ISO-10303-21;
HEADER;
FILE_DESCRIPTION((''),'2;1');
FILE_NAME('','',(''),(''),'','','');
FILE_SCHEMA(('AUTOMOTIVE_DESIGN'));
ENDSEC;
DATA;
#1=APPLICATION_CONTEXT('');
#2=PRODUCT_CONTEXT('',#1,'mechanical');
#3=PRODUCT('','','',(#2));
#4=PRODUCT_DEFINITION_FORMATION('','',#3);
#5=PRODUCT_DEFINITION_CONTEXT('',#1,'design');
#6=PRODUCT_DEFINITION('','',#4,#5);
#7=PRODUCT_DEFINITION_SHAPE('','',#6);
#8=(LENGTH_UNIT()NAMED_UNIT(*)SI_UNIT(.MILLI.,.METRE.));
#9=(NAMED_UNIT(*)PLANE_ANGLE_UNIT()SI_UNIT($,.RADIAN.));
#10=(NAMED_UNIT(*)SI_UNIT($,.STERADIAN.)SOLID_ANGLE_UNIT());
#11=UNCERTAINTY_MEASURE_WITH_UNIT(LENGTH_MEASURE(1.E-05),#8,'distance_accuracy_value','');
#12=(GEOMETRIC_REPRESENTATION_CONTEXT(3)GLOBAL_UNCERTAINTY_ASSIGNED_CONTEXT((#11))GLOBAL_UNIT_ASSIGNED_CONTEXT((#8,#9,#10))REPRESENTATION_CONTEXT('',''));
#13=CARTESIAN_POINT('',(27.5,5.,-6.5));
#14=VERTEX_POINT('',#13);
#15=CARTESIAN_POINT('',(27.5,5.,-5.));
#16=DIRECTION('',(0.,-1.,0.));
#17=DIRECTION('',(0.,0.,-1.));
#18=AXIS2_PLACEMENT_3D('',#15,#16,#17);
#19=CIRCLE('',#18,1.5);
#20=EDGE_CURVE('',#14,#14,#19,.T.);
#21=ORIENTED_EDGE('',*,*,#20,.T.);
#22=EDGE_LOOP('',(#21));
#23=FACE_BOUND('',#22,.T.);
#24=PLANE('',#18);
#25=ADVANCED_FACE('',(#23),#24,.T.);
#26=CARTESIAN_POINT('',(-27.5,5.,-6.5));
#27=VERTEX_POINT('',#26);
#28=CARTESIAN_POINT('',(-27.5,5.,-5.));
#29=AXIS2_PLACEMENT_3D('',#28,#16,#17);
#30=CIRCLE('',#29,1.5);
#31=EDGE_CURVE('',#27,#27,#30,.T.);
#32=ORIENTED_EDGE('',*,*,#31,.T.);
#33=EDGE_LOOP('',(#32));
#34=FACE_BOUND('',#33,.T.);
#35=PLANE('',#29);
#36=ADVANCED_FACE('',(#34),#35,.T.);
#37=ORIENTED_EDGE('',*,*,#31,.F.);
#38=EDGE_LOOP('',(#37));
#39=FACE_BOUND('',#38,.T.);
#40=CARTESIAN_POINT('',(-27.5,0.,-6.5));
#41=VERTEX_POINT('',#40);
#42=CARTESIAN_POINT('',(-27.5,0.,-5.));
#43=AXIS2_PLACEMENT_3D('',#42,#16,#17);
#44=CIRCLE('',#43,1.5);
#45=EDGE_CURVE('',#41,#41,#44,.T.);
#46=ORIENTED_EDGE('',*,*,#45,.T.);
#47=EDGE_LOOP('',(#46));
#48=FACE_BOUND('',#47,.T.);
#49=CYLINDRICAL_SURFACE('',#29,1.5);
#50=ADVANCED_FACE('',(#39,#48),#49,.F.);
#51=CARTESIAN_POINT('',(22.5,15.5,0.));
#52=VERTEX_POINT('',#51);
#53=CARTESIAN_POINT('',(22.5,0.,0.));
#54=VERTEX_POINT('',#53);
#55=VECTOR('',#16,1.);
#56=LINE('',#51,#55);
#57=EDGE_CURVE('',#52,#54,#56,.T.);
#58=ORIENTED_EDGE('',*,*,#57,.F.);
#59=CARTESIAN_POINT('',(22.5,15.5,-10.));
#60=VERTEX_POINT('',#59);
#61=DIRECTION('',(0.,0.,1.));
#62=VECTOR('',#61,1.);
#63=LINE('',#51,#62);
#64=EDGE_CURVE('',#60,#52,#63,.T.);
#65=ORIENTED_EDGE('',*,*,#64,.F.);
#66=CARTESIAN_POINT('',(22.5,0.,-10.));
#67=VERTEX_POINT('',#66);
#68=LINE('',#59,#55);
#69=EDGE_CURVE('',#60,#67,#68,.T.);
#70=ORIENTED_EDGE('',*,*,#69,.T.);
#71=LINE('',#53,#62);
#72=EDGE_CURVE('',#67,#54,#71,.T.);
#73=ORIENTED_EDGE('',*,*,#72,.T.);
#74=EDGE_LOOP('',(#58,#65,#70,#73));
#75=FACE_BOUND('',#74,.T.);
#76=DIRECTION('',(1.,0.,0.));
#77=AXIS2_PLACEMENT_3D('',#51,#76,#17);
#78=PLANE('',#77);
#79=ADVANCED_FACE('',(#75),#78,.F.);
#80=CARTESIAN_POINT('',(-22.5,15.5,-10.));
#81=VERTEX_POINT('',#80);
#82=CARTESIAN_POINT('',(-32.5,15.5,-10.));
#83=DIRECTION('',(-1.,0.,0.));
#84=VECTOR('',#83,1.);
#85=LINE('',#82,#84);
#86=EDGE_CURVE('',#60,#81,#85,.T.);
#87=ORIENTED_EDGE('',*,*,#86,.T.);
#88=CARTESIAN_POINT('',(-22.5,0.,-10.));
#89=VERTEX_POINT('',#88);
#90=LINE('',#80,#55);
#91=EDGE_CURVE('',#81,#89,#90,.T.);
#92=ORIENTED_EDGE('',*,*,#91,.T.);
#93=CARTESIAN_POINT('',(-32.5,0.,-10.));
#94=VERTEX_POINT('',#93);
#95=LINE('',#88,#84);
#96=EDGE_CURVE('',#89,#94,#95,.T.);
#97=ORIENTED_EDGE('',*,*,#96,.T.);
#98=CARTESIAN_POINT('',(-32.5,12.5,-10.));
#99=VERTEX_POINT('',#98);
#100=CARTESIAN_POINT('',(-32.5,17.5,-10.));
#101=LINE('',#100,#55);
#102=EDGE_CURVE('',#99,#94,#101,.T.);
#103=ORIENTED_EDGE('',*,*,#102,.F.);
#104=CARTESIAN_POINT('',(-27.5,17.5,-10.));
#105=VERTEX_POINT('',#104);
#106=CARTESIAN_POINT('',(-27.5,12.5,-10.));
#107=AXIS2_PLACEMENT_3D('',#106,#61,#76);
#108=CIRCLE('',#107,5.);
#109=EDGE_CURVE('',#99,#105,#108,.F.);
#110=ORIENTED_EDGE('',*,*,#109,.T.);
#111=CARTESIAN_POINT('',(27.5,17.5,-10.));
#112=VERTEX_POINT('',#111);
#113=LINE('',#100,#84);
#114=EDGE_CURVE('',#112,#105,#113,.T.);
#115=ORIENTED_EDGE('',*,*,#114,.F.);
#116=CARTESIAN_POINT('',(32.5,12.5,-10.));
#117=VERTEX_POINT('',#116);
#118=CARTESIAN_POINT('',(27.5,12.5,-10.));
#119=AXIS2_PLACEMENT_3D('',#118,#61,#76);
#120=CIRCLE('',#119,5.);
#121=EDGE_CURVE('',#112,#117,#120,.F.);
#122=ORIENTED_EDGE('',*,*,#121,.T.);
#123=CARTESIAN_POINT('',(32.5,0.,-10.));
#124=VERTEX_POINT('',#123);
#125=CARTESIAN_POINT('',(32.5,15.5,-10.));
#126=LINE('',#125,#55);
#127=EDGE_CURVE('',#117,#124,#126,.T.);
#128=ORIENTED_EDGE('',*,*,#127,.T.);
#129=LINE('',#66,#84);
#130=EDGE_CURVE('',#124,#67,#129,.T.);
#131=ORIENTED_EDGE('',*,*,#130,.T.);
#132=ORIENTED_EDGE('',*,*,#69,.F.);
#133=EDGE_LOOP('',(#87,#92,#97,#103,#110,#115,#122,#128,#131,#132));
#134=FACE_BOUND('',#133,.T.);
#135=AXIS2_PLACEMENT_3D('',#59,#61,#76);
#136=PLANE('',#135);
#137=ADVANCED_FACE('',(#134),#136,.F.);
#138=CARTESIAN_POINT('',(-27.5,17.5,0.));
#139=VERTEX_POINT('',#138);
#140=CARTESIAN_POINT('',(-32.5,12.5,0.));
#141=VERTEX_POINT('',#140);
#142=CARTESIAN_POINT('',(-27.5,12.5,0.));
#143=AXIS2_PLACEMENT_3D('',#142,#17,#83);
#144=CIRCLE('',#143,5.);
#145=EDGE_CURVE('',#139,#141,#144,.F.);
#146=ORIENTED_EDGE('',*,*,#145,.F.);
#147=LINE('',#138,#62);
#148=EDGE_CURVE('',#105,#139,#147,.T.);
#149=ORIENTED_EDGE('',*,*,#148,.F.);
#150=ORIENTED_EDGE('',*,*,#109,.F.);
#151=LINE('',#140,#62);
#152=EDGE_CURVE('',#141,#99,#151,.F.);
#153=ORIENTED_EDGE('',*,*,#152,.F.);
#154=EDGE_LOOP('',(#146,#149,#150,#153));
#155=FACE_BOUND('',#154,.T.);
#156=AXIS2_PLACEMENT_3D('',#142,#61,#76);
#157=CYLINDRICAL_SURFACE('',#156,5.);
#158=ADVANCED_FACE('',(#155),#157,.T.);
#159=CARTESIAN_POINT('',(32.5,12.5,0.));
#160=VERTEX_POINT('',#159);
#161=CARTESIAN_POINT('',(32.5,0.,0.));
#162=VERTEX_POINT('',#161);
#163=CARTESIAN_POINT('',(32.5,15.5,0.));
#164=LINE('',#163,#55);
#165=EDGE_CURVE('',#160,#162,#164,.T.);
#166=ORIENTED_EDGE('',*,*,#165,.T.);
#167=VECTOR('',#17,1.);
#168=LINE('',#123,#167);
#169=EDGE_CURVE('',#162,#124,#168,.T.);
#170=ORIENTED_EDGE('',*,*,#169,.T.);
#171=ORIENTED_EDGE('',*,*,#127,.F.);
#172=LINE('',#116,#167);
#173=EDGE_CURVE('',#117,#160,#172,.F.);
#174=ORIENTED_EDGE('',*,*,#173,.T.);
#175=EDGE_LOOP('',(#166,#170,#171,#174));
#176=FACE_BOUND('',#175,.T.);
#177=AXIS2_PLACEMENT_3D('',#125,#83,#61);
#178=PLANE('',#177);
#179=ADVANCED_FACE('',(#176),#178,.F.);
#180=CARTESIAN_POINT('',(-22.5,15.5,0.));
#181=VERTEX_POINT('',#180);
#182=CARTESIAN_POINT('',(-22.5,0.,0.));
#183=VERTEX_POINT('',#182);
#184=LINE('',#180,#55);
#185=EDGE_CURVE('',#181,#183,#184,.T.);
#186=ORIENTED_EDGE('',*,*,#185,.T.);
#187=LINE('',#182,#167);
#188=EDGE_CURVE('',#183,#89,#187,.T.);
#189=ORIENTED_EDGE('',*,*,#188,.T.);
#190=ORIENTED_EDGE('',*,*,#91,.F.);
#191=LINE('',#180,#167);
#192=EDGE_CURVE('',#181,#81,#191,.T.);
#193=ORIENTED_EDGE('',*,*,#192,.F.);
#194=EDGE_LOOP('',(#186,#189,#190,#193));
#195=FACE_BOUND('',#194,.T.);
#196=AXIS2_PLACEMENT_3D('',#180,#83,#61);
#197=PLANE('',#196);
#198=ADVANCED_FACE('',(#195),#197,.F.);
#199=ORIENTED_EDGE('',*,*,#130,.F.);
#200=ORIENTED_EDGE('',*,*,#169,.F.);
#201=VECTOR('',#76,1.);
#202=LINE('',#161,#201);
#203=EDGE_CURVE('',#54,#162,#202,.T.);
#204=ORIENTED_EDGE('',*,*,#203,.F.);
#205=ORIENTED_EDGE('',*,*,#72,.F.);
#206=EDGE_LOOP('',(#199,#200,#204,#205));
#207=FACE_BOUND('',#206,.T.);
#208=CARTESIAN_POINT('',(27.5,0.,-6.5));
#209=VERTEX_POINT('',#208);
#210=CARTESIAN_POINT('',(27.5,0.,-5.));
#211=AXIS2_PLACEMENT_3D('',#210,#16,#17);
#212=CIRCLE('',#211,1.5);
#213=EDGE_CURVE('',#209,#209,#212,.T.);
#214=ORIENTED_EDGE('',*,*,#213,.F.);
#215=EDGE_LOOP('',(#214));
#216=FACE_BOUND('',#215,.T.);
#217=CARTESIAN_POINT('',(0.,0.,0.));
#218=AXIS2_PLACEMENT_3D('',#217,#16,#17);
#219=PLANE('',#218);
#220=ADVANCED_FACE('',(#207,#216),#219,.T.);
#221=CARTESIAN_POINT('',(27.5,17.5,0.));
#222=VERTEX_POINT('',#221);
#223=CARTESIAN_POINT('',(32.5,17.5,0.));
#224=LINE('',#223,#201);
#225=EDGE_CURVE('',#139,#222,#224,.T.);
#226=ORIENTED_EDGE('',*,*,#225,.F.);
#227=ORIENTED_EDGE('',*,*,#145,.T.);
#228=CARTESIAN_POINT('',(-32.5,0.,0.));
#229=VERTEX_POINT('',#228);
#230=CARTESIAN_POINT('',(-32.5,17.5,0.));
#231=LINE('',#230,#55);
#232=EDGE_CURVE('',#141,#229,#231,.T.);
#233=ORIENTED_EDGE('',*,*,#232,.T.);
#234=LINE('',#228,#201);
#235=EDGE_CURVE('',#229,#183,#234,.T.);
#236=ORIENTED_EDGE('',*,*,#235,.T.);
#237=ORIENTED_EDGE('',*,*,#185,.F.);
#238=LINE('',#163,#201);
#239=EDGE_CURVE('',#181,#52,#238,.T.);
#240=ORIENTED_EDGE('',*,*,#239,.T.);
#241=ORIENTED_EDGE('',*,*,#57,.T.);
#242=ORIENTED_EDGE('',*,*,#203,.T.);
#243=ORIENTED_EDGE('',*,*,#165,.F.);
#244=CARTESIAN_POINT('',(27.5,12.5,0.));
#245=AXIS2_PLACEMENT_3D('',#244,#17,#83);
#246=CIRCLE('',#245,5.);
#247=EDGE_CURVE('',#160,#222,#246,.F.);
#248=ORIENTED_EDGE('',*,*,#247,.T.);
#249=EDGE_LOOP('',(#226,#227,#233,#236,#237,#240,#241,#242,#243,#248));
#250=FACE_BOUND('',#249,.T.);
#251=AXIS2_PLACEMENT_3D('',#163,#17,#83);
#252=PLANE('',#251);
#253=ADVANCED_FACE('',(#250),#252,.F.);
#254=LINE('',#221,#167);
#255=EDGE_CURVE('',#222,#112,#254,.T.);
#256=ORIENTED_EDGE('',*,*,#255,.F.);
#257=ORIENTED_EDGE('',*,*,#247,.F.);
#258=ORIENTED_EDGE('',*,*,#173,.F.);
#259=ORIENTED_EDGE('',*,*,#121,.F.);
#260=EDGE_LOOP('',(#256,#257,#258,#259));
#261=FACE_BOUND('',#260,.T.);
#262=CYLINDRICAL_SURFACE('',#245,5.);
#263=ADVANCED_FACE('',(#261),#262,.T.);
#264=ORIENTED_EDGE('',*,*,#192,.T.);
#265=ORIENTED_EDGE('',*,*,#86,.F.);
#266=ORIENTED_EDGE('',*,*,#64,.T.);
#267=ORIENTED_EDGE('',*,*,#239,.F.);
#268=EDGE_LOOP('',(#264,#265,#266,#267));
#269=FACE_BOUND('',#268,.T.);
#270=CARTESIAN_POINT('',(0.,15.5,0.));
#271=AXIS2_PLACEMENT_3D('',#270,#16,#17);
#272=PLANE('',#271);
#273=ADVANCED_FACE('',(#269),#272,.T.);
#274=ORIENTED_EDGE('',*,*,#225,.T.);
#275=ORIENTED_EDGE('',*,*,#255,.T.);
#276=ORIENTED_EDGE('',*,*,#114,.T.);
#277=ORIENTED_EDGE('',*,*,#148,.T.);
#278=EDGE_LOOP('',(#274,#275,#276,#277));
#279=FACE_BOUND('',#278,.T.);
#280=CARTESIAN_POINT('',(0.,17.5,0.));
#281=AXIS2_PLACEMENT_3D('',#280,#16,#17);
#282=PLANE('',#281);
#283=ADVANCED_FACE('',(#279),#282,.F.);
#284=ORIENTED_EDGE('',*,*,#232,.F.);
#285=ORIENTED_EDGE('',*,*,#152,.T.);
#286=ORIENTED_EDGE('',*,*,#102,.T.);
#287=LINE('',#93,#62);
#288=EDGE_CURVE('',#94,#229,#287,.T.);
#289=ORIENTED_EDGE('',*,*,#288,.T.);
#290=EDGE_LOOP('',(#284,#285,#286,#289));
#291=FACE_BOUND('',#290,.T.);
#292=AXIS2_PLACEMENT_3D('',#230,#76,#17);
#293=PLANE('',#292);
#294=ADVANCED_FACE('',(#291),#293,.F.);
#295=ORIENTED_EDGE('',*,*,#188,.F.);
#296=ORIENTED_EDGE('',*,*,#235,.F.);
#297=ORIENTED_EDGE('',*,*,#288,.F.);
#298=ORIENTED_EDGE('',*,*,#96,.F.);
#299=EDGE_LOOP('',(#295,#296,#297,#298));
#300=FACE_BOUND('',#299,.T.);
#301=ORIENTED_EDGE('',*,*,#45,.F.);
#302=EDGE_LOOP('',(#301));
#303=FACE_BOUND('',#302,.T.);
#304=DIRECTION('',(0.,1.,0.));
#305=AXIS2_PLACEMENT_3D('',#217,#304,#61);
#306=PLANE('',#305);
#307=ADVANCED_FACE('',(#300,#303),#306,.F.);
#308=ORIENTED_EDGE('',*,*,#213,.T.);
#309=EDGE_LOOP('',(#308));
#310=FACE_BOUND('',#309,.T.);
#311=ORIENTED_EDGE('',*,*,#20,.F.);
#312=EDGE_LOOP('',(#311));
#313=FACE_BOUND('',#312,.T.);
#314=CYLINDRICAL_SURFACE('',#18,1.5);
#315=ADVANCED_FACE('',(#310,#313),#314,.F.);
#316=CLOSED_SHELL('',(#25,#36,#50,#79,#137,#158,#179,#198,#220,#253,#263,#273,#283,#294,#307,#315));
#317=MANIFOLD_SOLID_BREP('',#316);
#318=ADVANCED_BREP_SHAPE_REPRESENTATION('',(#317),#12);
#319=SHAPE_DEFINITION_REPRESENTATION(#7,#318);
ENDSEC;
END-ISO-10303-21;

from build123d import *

# Parameters (mm, degrees)
CROQUIS1_W                = 10
CROQUIS1_H                = 10
SALIENTE_EXTRUIR1_DEPTH   = 15.5
SALIENTE_EXTRUIR1_2_DEPTH = 15.5
CROQUIS5_W                = 65
CROQUIS5_H                = 10
SALIENTE_EXTRUIR4_DEPTH   = 2
CROQUIS6_R                = 1.5
CORTAR_EXTRUIR2_DEPTH     = 5
REDONDEO1_R               = 5


with BuildPart() as part:
    # Croquis1 → Saliente-Extruir1 (new body)
    with BuildSketch(Plane(origin=(0, 0, 0), x_dir=(1, 0, 0), z_dir=(0, 1, 0))):
        with Locations((-27.5, 5)):
            Rectangle(CROQUIS1_W, CROQUIS1_H)
    extrude(amount=SALIENTE_EXTRUIR1_DEPTH)



with BuildPart() as body_2:
    # Croquis1 → Saliente-Extruir1 2 (new body)
    with BuildSketch(Plane(origin=(0, 0, 0), x_dir=(1, 0, 0), z_dir=(0, 1, 0))):
        with Locations((27.5, 5)):
            Rectangle(CROQUIS1_W, CROQUIS1_H)
    extrude(amount=SALIENTE_EXTRUIR1_2_DEPTH)


with BuildPart() as part_1:
    add(part.part)

    add(body_2.part)  # Saliente-Extruir4 merges body 2
    # Croquis5 → Saliente-Extruir4 (add)
    with BuildSketch(Plane(origin=(0, 15.5, 0), x_dir=(1, 0, 0), z_dir=(0, 1, 0))):
        with Locations((0, 5)):
            Rectangle(CROQUIS5_W, CROQUIS5_H)
    extrude(amount=SALIENTE_EXTRUIR4_DEPTH)

    # Croquis6 → Cortar-Extruir2 (cut)
    with BuildSketch(Plane.XZ):
        with Locations(Location((-27.5, -5, 0), (0, 0, 270))):
            Circle(CROQUIS6_R)
        with Locations(Location((27.5, -5, 0), (0, 0, 270))):
            Circle(CROQUIS6_R)
    extrude(amount=-CORTAR_EXTRUIR2_DEPTH, mode=Mode.SUBTRACT)

    # Redondeo1
    redondeo1_edges = [part_1.edges().sort_by_distance(p)[0] for p in [
        (-32.5, 17.5, -5),
        (32.5, 17.5, -5),
    ]]
    fillet(redondeo1_edges, radius=REDONDEO1_R)


solid = part_1.part
